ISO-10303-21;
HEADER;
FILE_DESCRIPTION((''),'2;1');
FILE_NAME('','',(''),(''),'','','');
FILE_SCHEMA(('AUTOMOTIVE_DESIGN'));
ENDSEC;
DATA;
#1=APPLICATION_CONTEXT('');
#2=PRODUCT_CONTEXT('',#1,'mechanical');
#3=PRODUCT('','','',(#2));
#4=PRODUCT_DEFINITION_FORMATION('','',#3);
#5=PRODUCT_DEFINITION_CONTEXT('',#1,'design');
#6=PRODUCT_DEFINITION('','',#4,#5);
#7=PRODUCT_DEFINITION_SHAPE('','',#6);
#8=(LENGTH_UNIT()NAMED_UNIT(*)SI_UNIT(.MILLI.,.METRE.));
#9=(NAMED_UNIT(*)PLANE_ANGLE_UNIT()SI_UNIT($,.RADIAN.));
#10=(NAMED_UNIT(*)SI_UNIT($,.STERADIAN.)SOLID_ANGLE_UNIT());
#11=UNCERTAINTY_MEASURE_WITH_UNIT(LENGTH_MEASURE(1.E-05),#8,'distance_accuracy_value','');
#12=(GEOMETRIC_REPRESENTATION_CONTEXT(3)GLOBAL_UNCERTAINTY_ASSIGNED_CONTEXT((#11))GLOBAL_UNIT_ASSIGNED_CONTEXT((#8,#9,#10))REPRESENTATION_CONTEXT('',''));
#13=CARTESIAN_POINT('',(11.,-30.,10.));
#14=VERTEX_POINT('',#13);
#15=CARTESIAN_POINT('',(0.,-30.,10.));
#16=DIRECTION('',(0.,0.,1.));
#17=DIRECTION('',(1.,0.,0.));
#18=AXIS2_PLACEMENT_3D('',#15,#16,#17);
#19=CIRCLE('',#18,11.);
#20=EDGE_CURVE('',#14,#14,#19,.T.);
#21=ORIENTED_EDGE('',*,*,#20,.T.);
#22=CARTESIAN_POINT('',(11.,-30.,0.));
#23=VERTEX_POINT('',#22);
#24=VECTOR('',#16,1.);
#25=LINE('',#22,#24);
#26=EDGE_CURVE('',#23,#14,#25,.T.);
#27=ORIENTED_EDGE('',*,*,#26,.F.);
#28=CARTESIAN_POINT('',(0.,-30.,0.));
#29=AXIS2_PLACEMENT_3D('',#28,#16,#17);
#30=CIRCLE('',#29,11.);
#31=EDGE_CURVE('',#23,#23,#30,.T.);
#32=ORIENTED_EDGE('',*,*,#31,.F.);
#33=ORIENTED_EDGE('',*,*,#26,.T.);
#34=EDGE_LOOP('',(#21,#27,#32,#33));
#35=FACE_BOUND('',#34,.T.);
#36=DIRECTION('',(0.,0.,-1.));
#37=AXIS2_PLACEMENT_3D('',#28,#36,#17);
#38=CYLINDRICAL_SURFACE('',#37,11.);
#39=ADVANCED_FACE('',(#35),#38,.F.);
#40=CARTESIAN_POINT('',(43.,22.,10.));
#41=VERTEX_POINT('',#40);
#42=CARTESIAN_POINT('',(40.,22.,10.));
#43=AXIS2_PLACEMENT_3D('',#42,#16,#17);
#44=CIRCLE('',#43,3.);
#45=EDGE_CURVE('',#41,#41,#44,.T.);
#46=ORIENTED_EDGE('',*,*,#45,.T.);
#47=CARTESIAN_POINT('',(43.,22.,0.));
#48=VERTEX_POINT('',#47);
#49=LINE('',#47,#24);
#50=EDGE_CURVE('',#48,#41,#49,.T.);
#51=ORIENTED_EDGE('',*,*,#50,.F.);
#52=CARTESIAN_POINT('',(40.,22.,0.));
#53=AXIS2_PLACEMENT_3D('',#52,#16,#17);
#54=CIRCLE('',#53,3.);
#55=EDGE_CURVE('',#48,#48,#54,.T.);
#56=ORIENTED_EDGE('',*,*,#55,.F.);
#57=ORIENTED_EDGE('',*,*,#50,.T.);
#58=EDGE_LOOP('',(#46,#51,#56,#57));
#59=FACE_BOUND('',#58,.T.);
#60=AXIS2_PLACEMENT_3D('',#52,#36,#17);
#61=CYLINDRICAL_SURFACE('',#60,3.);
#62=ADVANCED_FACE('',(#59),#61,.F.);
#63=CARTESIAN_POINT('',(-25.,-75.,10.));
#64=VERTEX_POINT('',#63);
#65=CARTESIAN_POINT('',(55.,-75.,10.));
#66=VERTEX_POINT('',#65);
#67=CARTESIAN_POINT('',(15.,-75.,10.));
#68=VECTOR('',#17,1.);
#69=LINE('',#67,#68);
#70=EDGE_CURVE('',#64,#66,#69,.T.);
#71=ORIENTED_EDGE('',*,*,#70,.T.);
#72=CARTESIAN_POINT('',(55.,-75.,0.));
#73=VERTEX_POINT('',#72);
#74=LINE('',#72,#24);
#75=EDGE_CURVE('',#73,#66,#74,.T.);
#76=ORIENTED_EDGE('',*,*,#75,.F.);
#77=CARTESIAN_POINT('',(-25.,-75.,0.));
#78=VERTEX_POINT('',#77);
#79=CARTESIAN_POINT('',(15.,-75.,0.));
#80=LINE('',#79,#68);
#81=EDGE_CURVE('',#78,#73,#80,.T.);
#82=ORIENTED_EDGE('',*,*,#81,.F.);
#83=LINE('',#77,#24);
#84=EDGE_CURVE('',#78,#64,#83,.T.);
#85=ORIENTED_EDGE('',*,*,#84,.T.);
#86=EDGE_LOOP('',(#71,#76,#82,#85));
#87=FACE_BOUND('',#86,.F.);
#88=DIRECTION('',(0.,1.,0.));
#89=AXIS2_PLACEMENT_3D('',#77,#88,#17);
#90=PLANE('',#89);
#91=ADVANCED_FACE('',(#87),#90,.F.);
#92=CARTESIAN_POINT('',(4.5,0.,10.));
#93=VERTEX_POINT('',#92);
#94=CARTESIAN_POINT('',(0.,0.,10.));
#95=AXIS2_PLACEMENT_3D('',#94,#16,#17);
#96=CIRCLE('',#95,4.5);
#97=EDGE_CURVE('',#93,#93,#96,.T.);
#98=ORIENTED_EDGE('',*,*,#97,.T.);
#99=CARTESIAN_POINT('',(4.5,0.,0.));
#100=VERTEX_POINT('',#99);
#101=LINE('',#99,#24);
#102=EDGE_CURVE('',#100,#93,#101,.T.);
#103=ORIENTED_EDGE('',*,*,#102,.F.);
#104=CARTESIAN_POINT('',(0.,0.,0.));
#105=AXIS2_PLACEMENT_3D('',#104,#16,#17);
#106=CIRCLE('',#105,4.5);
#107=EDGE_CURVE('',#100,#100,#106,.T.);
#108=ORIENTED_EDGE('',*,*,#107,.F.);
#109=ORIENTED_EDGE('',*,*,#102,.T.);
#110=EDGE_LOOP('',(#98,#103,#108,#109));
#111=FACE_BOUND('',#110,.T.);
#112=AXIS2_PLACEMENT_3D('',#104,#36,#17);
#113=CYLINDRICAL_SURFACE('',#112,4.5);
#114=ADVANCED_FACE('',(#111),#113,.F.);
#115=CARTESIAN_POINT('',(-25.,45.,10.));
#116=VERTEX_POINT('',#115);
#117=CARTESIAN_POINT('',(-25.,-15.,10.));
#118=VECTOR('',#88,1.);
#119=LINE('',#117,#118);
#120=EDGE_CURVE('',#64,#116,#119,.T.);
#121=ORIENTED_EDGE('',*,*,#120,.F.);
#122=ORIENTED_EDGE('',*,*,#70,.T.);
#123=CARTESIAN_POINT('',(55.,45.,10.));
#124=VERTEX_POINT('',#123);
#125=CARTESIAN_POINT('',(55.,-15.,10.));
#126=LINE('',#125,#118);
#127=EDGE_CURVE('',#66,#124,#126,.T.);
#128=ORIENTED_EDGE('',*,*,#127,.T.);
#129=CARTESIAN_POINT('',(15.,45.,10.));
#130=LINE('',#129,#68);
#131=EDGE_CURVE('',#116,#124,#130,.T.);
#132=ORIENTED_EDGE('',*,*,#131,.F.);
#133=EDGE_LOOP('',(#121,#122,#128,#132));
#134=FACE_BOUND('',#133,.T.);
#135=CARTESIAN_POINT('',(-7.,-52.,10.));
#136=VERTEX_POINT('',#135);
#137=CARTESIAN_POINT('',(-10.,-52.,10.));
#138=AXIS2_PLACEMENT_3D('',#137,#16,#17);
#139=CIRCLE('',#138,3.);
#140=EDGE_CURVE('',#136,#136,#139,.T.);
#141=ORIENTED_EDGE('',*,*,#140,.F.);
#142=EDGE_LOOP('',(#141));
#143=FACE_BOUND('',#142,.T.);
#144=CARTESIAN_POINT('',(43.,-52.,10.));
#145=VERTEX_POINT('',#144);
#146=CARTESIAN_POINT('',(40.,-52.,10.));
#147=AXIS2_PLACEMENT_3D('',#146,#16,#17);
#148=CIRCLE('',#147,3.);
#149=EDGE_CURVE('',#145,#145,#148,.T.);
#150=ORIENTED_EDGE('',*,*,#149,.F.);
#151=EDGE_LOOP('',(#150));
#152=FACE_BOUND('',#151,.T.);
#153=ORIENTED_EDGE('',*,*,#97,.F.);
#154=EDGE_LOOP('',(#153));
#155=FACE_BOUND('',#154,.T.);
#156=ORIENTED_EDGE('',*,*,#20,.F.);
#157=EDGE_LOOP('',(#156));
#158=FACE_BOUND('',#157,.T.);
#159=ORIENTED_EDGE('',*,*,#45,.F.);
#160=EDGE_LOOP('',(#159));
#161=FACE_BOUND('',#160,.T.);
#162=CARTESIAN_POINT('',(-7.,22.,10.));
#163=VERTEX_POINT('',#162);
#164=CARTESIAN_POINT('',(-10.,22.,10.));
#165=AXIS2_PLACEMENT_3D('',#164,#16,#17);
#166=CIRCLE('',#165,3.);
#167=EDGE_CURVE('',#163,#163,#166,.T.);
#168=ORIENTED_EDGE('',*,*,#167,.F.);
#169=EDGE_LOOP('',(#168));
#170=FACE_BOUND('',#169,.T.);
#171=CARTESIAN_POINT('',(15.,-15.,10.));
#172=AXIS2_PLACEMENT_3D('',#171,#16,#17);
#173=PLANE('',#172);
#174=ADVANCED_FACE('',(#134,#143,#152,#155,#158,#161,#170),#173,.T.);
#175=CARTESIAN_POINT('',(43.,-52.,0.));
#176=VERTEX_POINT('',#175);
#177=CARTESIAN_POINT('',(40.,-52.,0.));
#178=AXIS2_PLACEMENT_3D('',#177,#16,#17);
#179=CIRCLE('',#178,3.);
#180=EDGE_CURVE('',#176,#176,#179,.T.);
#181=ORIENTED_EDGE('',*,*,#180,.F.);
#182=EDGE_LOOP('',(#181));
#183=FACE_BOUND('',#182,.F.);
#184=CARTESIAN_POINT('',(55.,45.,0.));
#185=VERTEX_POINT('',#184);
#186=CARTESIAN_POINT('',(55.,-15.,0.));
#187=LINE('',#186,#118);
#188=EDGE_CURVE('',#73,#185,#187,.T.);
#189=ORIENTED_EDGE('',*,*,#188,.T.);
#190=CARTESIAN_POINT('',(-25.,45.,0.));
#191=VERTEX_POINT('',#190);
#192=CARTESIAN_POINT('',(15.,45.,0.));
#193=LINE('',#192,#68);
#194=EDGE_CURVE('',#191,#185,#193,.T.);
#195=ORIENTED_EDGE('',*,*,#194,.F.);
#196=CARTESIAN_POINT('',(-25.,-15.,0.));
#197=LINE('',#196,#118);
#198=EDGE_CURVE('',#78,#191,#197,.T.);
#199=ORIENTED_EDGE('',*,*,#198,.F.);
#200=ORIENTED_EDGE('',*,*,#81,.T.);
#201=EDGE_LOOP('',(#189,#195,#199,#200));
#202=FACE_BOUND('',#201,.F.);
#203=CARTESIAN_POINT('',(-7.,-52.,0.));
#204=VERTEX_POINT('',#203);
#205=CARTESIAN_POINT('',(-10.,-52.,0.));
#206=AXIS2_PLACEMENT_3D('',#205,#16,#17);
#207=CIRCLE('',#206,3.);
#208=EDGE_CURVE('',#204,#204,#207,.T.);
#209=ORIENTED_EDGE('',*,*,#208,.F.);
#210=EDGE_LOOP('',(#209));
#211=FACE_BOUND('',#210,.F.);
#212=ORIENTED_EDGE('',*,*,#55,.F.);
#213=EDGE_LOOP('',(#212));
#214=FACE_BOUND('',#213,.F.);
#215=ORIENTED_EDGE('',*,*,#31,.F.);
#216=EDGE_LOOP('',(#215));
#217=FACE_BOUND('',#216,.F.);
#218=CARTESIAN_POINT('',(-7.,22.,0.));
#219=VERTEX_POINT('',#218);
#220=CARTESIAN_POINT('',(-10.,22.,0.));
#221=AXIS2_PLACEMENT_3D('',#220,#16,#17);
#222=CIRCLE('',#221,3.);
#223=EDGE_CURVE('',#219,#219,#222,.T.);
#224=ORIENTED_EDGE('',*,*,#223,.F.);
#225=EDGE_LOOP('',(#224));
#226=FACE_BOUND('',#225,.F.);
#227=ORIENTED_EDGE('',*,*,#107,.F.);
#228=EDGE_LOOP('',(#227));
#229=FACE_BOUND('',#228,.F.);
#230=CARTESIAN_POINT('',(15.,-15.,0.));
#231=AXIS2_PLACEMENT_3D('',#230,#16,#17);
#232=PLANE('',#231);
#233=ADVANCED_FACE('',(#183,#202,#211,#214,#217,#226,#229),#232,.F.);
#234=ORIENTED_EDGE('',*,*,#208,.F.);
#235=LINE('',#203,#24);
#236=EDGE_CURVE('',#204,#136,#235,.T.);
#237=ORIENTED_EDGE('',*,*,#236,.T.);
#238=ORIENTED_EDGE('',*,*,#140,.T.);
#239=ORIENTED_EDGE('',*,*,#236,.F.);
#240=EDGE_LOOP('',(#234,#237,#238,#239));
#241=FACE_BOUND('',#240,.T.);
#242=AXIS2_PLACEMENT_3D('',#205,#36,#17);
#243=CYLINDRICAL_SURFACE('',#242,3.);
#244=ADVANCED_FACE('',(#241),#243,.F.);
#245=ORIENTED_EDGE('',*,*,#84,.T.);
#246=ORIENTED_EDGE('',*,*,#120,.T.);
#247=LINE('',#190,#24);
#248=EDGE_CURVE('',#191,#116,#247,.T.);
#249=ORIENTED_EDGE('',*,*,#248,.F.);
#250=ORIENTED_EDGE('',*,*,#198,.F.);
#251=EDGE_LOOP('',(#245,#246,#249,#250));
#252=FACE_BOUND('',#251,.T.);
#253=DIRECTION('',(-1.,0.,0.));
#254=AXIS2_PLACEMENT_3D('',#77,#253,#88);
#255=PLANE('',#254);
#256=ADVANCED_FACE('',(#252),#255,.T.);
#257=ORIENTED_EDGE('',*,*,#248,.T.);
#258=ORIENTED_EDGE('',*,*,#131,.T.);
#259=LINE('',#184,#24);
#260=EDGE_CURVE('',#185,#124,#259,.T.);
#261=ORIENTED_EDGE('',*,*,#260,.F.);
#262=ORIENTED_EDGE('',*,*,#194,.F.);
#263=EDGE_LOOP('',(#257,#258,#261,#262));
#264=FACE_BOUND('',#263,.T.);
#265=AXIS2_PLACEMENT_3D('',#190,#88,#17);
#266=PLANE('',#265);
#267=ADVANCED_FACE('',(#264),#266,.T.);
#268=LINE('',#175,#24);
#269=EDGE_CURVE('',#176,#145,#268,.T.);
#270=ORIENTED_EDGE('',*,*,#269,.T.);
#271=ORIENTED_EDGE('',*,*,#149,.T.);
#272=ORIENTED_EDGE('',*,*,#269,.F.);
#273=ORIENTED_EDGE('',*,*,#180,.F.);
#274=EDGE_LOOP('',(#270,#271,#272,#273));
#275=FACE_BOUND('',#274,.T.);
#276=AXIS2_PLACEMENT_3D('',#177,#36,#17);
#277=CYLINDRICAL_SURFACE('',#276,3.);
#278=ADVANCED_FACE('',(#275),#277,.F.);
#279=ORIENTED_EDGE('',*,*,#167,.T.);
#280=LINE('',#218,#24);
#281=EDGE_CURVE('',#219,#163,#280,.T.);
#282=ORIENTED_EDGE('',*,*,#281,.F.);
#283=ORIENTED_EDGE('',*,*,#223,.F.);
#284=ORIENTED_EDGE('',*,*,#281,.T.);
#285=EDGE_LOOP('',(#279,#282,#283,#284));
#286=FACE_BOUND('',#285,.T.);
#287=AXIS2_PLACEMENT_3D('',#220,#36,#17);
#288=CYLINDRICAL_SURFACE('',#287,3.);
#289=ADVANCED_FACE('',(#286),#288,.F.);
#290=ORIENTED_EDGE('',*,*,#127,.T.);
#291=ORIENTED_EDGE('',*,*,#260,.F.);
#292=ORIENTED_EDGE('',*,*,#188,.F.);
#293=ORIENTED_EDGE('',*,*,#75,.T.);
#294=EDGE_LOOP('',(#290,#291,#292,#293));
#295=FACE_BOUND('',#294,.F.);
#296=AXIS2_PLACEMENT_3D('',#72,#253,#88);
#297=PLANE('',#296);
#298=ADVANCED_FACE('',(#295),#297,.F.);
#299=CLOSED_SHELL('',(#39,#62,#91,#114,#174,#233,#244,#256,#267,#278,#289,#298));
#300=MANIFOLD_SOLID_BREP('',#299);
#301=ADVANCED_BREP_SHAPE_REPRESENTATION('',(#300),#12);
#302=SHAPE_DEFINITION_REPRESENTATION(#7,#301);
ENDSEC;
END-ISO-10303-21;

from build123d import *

# Parameters (mm, degrees)
SKETCH_W   = 80
SKETCH_H   = 120
SKETCH_R   = 4.5
SKETCH_R_2 = 11
SKETCH_R_3 = 3
PAD_DEPTH  = 10


with BuildPart() as part:
    # Sketch → Pad (new body)
    with BuildSketch(Plane.XY):
        with Locations((15, -15)):
            Rectangle(SKETCH_W, SKETCH_H)
        Circle(SKETCH_R, mode=Mode.SUBTRACT)
        with Locations((0, -30)):
            Circle(SKETCH_R_2, mode=Mode.SUBTRACT)
        with Locations((-10, -52)):
            Circle(SKETCH_R_3, mode=Mode.SUBTRACT)
        with Locations((40, -52)):
            Circle(SKETCH_R_3, mode=Mode.SUBTRACT)
        with Locations((40, 22)):
            Circle(SKETCH_R_3, mode=Mode.SUBTRACT)
        with Locations((-10, 22)):
            Circle(SKETCH_R_3, mode=Mode.SUBTRACT)
    extrude(amount=PAD_DEPTH)


solid = part.part
